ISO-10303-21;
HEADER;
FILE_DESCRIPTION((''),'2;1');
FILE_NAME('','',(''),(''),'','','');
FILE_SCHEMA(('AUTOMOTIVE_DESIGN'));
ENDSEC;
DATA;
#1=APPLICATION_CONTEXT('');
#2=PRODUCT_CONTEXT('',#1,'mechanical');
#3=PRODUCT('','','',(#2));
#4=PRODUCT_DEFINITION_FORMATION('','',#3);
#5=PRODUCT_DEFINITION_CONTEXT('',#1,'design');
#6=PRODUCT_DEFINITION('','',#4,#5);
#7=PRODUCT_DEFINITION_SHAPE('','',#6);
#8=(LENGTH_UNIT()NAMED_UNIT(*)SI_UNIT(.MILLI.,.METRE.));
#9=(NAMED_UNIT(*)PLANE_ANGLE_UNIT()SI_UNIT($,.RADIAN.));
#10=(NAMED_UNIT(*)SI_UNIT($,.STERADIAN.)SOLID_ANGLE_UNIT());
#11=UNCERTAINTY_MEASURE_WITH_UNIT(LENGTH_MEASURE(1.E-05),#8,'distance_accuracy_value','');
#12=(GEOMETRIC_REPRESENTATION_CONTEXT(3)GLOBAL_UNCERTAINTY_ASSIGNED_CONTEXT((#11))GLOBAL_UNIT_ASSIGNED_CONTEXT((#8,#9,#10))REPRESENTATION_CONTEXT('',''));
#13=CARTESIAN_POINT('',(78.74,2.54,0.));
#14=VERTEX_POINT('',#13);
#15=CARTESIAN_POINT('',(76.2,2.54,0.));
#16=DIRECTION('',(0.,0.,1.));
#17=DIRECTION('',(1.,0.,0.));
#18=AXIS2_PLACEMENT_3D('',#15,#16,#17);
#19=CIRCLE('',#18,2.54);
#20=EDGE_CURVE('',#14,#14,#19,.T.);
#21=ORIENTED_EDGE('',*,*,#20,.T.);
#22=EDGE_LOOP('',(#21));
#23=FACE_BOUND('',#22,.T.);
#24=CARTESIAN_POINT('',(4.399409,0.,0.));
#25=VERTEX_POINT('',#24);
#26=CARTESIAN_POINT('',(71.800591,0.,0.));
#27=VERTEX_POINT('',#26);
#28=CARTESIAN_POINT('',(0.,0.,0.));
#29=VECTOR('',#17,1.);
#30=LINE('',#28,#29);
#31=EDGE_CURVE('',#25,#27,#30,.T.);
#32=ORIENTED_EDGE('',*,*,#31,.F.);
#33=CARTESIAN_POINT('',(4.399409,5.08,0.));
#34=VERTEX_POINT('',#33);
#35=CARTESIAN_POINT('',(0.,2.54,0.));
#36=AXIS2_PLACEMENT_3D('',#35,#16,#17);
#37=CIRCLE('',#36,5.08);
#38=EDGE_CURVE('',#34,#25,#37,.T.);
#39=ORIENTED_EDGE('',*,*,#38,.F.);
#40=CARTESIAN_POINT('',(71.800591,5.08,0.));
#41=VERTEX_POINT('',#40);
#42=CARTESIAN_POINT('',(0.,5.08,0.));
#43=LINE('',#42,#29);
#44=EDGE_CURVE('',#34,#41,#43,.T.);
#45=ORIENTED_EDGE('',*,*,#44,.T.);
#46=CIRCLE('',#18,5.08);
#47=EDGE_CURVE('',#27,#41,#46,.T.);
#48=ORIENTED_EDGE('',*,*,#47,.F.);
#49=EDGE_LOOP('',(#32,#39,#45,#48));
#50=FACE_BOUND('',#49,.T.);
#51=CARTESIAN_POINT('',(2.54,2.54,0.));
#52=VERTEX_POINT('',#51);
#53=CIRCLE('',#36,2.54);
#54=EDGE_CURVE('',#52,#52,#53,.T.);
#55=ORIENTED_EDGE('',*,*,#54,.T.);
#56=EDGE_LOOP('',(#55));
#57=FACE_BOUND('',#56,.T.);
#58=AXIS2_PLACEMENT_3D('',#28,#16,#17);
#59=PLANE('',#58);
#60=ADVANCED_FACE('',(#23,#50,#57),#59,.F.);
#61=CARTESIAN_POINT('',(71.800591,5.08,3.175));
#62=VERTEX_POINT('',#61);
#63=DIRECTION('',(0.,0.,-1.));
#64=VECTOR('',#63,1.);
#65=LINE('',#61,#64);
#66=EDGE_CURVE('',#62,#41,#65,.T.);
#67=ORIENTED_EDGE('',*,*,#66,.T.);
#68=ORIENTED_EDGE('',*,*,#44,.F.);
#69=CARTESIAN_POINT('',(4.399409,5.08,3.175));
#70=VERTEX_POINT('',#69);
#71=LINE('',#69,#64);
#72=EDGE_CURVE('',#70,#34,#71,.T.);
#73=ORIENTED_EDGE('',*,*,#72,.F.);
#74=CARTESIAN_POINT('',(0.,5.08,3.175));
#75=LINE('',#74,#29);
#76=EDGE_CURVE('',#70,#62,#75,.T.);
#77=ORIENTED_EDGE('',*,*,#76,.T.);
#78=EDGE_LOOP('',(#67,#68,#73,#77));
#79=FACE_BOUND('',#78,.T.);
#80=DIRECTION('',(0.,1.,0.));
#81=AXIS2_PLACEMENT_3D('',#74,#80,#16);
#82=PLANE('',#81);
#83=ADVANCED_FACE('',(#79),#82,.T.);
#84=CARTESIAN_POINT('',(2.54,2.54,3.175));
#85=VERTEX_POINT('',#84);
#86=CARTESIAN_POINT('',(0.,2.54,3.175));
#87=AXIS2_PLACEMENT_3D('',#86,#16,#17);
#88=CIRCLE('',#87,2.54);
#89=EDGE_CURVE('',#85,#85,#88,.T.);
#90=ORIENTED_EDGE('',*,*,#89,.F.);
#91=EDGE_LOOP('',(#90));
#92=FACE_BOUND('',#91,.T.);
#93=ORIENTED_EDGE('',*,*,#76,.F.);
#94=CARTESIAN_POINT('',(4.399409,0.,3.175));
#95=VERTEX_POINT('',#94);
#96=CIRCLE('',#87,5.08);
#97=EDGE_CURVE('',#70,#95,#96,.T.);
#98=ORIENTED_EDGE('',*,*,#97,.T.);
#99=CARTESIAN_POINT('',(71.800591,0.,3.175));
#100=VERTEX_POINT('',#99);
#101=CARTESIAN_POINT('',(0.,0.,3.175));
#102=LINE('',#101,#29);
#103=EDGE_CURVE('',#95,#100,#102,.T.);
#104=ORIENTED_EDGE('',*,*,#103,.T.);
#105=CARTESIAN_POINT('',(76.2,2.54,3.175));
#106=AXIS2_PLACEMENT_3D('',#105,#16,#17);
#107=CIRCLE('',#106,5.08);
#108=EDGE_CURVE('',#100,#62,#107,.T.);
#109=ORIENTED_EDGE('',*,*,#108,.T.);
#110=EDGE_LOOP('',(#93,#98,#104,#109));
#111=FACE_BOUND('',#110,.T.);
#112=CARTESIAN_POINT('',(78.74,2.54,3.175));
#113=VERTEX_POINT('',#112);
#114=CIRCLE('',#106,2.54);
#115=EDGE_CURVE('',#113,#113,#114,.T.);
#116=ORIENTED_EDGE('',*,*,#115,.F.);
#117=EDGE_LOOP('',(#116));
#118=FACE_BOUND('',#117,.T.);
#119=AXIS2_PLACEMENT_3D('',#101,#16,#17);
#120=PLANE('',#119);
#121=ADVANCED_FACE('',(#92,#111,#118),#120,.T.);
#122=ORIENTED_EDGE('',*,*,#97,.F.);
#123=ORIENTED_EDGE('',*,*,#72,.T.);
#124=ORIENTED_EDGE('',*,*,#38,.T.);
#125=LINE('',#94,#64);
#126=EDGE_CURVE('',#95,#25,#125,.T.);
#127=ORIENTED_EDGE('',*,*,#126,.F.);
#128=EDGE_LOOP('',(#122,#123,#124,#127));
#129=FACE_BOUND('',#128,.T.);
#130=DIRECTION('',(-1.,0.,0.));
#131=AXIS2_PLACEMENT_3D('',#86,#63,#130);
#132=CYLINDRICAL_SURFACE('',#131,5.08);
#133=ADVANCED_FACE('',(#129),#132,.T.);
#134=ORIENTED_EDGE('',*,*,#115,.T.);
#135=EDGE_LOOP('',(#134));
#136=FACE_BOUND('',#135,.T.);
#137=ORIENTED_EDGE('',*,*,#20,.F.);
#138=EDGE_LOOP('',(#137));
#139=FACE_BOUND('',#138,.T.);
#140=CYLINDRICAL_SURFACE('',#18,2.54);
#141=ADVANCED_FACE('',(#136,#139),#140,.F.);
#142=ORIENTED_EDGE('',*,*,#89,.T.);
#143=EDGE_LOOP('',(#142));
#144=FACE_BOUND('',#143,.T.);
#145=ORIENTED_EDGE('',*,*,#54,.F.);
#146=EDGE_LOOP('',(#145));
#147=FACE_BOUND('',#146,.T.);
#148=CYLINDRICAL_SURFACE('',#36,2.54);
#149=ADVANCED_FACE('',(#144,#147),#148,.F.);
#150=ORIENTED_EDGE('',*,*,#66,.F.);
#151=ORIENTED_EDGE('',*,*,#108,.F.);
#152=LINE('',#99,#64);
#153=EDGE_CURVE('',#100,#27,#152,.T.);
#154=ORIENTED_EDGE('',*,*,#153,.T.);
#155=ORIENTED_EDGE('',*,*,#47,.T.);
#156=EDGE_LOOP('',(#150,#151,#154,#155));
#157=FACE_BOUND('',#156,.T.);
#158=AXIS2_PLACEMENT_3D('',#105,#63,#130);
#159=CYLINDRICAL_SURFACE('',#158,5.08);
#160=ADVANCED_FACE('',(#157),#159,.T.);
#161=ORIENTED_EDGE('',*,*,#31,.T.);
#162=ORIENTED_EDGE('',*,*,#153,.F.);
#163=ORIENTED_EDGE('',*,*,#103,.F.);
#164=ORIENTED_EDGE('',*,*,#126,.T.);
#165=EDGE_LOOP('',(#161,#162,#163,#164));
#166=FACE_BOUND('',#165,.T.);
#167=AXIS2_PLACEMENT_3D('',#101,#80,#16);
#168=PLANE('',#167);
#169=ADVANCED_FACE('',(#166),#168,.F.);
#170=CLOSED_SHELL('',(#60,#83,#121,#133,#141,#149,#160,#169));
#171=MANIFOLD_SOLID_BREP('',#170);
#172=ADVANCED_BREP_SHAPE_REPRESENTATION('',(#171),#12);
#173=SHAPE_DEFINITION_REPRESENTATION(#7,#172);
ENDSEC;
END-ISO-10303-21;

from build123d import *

# Parameters (mm, degrees)
SKETCH1_R           = 5.08
SKETCH1_W           = 76.2
SKETCH1_H           = 5.08
BOSS_EXTRUDE1_DEPTH = 3.175
SKETCH2_R           = 2.54
CUT_EXTRUDE1_DEPTH  = 82.698123754


with BuildPart() as part:
    # Sketch1 → Boss-Extrude1 (new body)
    with BuildSketch(Plane.XY):
        with Locations((0, 2.54)):
            Circle(SKETCH1_R)
        with Locations((76.2, 2.54)):
            Circle(SKETCH1_R)
        with Locations((38.1, 2.54)):
            Rectangle(SKETCH1_W, SKETCH1_H)
    extrude(amount=BOSS_EXTRUDE1_DEPTH)

    # Sketch2 → Cut-Extrude1 (cut, through all)
    with BuildSketch(Plane.XY.offset(3.175)):
        with Locations((0, 2.54)):
            Circle(SKETCH2_R)
        with Locations((76.2, 2.54)):
            Circle(SKETCH2_R)
    extrude(amount=-CUT_EXTRUDE1_DEPTH, mode=Mode.SUBTRACT)


solid = part.part
